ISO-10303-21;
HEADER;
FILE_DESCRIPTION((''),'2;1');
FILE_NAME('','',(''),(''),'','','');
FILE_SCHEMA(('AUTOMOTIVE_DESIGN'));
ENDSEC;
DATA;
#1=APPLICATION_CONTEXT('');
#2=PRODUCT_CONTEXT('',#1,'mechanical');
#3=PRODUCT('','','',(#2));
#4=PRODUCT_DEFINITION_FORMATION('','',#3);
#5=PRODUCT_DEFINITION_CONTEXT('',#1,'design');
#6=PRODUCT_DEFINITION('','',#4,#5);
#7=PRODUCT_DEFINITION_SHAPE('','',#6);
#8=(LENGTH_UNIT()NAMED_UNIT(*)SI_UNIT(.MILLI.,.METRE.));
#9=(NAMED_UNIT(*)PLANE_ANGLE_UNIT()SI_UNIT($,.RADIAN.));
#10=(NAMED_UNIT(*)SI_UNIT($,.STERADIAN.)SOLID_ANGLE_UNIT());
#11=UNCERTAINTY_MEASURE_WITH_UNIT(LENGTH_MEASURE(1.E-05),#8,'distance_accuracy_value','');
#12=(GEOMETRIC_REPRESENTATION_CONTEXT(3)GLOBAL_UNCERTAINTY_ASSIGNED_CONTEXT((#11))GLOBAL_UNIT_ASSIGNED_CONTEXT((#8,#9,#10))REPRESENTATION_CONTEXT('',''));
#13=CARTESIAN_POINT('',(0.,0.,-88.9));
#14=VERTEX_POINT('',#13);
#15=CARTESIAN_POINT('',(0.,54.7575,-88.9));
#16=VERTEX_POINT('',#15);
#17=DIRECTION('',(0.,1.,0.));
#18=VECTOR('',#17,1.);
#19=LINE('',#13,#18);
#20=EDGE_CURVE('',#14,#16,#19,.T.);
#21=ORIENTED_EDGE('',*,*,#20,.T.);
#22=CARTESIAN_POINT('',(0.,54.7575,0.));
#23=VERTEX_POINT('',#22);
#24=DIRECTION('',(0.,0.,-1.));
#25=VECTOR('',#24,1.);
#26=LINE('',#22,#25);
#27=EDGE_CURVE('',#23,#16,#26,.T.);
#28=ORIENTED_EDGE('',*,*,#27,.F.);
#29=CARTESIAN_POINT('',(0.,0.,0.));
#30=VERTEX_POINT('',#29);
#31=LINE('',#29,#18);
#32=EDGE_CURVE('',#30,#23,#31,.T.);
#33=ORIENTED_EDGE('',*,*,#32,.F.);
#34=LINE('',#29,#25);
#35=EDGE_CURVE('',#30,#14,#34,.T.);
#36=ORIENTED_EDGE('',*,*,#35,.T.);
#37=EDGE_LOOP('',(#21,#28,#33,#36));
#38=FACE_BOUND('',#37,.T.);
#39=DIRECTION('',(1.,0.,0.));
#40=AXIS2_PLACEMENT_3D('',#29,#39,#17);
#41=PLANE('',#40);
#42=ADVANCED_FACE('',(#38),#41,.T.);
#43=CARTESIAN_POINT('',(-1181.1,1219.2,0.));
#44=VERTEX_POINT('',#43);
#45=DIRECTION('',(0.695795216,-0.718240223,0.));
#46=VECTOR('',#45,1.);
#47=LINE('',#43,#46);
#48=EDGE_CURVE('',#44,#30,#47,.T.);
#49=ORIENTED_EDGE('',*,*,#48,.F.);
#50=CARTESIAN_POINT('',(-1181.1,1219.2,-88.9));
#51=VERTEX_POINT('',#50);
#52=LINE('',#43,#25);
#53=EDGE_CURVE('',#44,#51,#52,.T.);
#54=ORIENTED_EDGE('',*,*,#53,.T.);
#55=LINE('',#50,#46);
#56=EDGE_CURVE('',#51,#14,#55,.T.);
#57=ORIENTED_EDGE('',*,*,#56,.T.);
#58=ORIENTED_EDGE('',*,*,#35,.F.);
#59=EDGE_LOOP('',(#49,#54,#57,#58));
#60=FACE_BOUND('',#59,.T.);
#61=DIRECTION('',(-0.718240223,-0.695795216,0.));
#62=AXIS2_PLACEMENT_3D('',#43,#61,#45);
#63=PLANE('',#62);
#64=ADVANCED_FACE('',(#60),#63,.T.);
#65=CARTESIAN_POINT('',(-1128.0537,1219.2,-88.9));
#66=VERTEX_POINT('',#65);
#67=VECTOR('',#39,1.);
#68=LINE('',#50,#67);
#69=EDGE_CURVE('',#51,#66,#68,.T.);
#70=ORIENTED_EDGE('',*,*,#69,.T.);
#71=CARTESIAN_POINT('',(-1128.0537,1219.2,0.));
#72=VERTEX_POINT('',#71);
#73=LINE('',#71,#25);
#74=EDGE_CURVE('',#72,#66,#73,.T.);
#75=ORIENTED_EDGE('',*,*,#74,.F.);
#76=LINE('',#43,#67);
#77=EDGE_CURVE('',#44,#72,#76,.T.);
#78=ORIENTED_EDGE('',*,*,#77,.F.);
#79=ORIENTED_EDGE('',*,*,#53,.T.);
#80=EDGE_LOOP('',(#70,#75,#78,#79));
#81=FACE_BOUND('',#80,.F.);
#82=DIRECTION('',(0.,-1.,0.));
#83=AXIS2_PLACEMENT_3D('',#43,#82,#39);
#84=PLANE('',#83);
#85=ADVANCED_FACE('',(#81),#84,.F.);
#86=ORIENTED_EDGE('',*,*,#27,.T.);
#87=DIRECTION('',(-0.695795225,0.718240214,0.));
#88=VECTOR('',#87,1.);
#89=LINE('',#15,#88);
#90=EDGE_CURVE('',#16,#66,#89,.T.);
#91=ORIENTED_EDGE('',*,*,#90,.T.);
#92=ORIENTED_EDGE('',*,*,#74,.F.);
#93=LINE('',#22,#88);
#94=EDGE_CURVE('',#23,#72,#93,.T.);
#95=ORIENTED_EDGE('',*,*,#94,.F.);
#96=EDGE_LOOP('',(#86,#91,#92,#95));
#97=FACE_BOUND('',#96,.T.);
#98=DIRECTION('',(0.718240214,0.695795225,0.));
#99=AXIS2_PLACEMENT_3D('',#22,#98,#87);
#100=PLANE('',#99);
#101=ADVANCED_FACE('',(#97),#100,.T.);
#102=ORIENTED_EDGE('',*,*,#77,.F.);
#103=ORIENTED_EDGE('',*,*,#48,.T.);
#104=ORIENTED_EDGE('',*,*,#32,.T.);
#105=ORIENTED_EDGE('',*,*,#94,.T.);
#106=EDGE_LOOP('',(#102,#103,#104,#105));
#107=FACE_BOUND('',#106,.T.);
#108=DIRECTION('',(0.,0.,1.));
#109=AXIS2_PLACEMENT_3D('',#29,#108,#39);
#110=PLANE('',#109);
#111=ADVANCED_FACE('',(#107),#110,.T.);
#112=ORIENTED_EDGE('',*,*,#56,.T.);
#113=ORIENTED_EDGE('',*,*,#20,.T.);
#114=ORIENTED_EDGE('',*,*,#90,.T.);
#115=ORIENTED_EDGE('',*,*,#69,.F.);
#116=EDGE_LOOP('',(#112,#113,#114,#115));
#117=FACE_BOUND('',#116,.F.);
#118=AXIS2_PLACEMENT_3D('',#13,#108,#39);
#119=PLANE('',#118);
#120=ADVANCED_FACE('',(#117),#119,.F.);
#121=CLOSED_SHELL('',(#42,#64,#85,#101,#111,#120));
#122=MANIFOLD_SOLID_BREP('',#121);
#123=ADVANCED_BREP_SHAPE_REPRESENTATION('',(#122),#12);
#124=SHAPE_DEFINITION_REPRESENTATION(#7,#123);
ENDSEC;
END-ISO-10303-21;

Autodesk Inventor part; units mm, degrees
ref_plane "YZ Plane" through (0, 0, 0) normal (1, 0, 0) x (0, 1, 0)
ref_plane "XZ Plane" through (0, 0, 0) normal (0, 1, 0) x (-1, 0, 0)
ref_plane "XY Plane" through (0, 0, 0) normal (0, 0, 1) x (1, 0, 0)
sketch "Sketch1" plane through (0, 0, 0) normal (0, 0, 1) x (1, 0, 0)
  line L0 (0, 0) -> (0, 1219.2) projected
  line L1 (-1181.1, 1219.2) -> (38.1, 1219.2) projected
  line L2 (-1181.1, 1219.2) -> (0, 0)
  line L3 (0, 54.7575) -> (-1128.0537, 1219.2)
  line L4 (-1181.1, 1219.2) -> (-1128.0537, 1219.2)
  line L5 (-1128.0537, 1219.2) -> (-1181.1, 1219.2)
  dimension "d0" = 38.1
extrude "Extrusion1" add sketch "Sketch1" against normal blind 88.9 contours L2 L1 L3 L0
properties part number "S_2x4x66.830"
